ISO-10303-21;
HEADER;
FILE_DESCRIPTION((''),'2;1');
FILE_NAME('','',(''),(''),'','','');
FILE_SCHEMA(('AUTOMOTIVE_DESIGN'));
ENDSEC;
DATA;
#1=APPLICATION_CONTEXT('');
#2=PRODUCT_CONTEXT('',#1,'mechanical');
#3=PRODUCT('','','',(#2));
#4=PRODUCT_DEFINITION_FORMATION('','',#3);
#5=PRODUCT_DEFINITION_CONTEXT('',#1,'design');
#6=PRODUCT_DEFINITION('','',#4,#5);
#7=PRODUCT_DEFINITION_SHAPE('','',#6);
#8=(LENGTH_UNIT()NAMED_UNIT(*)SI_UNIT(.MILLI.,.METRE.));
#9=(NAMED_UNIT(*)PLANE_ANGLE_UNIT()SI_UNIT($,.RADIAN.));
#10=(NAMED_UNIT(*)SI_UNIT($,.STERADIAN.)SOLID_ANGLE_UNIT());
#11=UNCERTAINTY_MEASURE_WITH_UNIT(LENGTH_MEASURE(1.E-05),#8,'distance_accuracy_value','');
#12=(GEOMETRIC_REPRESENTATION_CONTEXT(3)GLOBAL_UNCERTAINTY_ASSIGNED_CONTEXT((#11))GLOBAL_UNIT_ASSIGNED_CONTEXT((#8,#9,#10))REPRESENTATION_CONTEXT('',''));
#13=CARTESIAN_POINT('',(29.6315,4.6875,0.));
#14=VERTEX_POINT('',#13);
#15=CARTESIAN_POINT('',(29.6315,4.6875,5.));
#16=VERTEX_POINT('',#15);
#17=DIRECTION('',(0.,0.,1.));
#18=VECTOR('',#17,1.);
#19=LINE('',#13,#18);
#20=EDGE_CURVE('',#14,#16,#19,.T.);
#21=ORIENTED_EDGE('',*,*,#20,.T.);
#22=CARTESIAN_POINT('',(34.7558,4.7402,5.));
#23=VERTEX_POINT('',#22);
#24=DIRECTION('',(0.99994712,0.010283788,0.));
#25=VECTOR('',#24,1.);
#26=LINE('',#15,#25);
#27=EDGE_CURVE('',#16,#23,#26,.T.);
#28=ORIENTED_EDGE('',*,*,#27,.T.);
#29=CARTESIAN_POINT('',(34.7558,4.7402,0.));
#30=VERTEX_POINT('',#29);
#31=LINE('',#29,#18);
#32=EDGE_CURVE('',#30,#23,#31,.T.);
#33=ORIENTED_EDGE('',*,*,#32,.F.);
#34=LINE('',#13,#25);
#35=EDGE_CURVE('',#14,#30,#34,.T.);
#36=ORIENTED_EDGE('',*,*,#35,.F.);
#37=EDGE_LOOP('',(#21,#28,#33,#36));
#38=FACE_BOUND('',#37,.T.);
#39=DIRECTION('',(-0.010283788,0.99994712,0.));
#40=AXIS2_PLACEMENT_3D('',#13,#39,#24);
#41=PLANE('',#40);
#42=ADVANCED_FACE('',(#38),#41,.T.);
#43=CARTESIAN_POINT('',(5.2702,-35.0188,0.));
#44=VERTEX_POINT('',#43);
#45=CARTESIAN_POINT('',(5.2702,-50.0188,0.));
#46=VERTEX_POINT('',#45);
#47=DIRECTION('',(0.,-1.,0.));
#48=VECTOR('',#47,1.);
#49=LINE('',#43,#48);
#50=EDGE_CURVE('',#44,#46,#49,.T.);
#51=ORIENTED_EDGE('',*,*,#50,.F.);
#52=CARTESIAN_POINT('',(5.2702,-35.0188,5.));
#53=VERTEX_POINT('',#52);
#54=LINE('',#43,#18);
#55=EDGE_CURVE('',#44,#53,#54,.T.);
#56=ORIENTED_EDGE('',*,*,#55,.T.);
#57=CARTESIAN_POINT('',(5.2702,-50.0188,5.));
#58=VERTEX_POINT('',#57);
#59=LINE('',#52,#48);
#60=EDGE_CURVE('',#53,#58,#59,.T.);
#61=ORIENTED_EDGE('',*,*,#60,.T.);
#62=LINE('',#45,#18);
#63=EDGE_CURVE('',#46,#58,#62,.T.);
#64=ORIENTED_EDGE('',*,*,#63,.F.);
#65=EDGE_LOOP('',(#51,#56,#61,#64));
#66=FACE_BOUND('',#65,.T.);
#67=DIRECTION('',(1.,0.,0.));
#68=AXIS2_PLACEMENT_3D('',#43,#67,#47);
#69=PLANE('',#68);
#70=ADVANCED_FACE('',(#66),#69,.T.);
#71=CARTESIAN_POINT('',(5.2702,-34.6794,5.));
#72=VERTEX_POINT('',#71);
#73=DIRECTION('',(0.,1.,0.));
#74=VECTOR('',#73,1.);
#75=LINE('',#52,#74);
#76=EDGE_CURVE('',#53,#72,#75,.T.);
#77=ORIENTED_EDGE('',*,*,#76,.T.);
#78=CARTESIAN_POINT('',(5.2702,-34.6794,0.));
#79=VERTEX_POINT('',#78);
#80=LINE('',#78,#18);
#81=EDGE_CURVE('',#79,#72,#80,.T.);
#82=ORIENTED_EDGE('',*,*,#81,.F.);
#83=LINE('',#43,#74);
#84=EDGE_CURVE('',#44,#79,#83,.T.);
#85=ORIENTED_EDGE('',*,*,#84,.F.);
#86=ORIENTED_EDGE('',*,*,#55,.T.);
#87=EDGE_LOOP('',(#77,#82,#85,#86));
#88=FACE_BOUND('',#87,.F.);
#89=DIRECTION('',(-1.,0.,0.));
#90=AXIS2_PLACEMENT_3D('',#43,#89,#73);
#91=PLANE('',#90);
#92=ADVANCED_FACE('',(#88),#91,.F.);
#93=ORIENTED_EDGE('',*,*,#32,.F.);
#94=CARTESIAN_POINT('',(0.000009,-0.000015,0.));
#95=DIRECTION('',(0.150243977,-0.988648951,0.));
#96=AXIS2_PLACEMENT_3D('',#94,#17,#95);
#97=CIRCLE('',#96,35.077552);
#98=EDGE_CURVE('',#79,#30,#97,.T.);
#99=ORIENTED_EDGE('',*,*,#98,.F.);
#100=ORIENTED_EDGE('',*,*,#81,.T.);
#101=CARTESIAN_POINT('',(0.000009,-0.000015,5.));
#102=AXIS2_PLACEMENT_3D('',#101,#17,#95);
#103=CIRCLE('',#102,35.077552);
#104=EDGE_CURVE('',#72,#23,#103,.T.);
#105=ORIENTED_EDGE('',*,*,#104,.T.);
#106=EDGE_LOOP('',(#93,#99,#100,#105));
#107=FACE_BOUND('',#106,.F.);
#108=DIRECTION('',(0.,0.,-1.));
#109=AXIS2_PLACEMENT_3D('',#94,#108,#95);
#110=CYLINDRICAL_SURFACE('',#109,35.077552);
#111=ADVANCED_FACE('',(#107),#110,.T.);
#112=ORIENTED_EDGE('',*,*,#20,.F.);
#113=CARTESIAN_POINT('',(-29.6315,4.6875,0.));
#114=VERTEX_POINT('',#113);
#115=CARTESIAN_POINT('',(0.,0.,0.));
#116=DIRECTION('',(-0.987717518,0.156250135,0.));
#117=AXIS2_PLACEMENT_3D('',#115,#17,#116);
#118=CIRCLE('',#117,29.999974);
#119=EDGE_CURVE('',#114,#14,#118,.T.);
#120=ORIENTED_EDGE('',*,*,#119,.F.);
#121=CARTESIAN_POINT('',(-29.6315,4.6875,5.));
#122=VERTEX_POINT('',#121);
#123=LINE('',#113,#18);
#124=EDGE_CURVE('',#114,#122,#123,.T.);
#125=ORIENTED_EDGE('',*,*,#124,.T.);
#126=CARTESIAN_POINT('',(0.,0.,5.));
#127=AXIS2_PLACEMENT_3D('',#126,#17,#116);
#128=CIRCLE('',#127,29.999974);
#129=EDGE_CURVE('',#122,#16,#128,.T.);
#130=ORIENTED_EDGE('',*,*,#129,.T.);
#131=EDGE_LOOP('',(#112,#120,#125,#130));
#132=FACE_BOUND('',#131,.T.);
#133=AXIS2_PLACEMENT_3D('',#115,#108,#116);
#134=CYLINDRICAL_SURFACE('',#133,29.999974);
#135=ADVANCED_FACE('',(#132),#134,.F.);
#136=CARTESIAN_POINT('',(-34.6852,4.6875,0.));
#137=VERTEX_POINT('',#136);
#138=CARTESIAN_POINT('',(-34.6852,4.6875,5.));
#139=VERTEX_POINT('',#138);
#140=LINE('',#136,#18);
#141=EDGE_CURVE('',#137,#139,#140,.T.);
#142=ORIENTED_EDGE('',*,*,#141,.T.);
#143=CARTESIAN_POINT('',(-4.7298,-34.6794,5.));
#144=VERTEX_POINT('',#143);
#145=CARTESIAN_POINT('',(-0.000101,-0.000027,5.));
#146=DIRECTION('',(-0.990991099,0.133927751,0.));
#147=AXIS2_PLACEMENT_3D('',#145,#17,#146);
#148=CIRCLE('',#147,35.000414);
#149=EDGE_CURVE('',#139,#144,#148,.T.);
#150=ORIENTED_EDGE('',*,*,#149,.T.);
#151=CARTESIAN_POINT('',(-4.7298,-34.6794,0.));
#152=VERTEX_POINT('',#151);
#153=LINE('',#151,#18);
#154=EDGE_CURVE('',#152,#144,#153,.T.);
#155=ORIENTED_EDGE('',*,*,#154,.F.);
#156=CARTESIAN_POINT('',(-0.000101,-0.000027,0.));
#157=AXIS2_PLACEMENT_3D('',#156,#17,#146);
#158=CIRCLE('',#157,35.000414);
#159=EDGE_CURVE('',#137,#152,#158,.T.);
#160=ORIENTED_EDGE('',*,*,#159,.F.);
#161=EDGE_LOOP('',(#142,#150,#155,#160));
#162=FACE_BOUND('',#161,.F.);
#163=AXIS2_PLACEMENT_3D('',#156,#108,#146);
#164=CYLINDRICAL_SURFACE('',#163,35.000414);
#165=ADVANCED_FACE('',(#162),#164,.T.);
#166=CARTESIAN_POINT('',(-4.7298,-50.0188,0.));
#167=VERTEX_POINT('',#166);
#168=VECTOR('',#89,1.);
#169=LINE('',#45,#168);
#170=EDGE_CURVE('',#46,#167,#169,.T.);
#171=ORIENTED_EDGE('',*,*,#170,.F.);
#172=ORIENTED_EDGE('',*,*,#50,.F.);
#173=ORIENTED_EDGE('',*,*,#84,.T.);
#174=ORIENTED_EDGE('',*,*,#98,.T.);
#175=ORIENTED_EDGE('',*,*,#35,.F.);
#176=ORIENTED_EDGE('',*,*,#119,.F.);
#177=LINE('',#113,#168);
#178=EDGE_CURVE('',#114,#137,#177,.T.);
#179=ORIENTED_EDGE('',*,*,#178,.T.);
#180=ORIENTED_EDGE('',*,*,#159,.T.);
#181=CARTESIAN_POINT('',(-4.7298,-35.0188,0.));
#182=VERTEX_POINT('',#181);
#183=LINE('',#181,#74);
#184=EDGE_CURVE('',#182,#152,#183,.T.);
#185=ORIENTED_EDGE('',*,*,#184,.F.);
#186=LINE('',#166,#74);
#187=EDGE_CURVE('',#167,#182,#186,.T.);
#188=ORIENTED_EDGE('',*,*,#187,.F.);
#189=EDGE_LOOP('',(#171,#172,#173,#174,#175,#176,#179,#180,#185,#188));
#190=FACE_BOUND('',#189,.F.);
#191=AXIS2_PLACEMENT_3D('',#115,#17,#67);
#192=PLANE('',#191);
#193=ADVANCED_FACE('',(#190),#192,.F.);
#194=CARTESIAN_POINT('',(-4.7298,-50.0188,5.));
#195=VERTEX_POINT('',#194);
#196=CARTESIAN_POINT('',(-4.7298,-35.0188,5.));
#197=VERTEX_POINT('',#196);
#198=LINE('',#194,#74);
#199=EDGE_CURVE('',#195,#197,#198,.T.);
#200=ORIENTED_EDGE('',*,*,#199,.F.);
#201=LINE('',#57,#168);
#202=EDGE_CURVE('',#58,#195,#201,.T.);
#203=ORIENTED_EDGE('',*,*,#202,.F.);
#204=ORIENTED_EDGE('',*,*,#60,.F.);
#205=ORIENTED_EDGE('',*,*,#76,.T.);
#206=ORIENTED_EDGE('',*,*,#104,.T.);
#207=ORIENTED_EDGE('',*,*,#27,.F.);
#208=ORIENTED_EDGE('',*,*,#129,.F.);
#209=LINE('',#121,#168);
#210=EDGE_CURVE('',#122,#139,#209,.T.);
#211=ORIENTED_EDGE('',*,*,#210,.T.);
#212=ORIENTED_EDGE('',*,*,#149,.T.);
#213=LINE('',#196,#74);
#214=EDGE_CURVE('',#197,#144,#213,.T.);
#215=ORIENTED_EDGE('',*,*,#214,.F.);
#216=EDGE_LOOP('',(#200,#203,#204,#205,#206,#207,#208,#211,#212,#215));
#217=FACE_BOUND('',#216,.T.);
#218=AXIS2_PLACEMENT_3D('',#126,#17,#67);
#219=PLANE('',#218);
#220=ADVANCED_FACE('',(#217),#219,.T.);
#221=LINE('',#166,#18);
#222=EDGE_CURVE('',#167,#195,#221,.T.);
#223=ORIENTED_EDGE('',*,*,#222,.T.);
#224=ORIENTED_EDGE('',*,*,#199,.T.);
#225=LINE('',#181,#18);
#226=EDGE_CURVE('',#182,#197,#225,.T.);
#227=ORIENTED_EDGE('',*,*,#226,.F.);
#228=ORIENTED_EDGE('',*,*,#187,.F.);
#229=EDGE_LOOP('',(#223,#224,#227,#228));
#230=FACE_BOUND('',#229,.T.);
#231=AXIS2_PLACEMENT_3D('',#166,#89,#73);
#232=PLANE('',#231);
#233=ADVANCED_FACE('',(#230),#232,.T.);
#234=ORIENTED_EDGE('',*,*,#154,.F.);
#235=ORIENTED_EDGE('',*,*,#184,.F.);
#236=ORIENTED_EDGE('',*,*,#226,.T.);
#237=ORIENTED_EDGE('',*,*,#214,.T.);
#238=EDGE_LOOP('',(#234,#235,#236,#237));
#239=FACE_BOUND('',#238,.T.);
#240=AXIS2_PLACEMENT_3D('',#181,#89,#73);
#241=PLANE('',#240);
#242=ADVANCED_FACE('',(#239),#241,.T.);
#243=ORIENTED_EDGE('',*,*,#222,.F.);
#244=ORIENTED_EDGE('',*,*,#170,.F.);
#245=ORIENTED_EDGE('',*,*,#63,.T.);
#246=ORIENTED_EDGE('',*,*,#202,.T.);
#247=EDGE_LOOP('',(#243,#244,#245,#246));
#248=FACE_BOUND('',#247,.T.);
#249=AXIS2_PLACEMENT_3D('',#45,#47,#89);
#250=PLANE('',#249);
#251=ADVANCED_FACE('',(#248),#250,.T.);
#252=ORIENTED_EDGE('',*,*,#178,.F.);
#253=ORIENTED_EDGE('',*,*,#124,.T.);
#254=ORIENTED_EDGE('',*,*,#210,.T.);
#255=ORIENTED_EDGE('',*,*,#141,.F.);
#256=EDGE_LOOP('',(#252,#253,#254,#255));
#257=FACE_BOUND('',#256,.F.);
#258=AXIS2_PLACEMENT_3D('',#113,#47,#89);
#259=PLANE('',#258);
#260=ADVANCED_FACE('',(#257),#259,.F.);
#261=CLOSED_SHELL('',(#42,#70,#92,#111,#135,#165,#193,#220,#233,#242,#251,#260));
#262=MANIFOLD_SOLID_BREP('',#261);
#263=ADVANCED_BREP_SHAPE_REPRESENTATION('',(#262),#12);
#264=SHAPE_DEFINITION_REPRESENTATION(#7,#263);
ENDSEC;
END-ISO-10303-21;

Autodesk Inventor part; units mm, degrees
ref_plane "YZ Plane" through (0, 0, 0) normal (1, 0, 0) x (0, 1, 0)
ref_plane "XZ Plane" through (0, 0, 0) normal (0, 1, 0) x (-1, 0, 0)
ref_plane "XY Plane" through (0, 0, 0) normal (0, 0, 1) x (1, 0, 0)
sketch "Sketch1" plane through (0, 0, 0) normal (0, 0, 1) x (1, 0, 0)
  arc A0 (-29.6315, 4.6875) -> (29.6315, 4.6875) centre (0, 0) ccw
  line L0 (-29.6315, 4.6875) -> (-34.6852, 4.6875)
  line L1 (29.6315, 4.6875) -> (34.7558, 4.7402)
  line L2 (29.6315, 4.6875) -> (34.7558, 4.7402) construction
  line L3 (5.2702, -35.0188) -> (5.2702, -50.0188)
  line L4 (5.2702, -50.0188) -> (-4.7298, -50.0188)
  line L5 (-4.7298, -50.0188) -> (-4.7298, -35.0188)
  line L6 (-4.7298, -35.0188) -> (-4.7298, -34.6794)
  line L7 (5.2702, -35.0188) -> (5.2702, -34.6794)
  arc A1 (-34.6852, 4.6875) -> (-4.7298, -34.6794) centre (0, 0) ccw
  arc A2 (5.2702, -34.6794) -> (34.7558, 4.7402) centre (0, 0) ccw
  dimension "d0" = 60
  dimension "d5" = 10
  dimension "d6" = 15
extrude "Extrusion1" add sketch "Sketch1" along normal blind 5
properties part number "Clip_TestFitV1"
